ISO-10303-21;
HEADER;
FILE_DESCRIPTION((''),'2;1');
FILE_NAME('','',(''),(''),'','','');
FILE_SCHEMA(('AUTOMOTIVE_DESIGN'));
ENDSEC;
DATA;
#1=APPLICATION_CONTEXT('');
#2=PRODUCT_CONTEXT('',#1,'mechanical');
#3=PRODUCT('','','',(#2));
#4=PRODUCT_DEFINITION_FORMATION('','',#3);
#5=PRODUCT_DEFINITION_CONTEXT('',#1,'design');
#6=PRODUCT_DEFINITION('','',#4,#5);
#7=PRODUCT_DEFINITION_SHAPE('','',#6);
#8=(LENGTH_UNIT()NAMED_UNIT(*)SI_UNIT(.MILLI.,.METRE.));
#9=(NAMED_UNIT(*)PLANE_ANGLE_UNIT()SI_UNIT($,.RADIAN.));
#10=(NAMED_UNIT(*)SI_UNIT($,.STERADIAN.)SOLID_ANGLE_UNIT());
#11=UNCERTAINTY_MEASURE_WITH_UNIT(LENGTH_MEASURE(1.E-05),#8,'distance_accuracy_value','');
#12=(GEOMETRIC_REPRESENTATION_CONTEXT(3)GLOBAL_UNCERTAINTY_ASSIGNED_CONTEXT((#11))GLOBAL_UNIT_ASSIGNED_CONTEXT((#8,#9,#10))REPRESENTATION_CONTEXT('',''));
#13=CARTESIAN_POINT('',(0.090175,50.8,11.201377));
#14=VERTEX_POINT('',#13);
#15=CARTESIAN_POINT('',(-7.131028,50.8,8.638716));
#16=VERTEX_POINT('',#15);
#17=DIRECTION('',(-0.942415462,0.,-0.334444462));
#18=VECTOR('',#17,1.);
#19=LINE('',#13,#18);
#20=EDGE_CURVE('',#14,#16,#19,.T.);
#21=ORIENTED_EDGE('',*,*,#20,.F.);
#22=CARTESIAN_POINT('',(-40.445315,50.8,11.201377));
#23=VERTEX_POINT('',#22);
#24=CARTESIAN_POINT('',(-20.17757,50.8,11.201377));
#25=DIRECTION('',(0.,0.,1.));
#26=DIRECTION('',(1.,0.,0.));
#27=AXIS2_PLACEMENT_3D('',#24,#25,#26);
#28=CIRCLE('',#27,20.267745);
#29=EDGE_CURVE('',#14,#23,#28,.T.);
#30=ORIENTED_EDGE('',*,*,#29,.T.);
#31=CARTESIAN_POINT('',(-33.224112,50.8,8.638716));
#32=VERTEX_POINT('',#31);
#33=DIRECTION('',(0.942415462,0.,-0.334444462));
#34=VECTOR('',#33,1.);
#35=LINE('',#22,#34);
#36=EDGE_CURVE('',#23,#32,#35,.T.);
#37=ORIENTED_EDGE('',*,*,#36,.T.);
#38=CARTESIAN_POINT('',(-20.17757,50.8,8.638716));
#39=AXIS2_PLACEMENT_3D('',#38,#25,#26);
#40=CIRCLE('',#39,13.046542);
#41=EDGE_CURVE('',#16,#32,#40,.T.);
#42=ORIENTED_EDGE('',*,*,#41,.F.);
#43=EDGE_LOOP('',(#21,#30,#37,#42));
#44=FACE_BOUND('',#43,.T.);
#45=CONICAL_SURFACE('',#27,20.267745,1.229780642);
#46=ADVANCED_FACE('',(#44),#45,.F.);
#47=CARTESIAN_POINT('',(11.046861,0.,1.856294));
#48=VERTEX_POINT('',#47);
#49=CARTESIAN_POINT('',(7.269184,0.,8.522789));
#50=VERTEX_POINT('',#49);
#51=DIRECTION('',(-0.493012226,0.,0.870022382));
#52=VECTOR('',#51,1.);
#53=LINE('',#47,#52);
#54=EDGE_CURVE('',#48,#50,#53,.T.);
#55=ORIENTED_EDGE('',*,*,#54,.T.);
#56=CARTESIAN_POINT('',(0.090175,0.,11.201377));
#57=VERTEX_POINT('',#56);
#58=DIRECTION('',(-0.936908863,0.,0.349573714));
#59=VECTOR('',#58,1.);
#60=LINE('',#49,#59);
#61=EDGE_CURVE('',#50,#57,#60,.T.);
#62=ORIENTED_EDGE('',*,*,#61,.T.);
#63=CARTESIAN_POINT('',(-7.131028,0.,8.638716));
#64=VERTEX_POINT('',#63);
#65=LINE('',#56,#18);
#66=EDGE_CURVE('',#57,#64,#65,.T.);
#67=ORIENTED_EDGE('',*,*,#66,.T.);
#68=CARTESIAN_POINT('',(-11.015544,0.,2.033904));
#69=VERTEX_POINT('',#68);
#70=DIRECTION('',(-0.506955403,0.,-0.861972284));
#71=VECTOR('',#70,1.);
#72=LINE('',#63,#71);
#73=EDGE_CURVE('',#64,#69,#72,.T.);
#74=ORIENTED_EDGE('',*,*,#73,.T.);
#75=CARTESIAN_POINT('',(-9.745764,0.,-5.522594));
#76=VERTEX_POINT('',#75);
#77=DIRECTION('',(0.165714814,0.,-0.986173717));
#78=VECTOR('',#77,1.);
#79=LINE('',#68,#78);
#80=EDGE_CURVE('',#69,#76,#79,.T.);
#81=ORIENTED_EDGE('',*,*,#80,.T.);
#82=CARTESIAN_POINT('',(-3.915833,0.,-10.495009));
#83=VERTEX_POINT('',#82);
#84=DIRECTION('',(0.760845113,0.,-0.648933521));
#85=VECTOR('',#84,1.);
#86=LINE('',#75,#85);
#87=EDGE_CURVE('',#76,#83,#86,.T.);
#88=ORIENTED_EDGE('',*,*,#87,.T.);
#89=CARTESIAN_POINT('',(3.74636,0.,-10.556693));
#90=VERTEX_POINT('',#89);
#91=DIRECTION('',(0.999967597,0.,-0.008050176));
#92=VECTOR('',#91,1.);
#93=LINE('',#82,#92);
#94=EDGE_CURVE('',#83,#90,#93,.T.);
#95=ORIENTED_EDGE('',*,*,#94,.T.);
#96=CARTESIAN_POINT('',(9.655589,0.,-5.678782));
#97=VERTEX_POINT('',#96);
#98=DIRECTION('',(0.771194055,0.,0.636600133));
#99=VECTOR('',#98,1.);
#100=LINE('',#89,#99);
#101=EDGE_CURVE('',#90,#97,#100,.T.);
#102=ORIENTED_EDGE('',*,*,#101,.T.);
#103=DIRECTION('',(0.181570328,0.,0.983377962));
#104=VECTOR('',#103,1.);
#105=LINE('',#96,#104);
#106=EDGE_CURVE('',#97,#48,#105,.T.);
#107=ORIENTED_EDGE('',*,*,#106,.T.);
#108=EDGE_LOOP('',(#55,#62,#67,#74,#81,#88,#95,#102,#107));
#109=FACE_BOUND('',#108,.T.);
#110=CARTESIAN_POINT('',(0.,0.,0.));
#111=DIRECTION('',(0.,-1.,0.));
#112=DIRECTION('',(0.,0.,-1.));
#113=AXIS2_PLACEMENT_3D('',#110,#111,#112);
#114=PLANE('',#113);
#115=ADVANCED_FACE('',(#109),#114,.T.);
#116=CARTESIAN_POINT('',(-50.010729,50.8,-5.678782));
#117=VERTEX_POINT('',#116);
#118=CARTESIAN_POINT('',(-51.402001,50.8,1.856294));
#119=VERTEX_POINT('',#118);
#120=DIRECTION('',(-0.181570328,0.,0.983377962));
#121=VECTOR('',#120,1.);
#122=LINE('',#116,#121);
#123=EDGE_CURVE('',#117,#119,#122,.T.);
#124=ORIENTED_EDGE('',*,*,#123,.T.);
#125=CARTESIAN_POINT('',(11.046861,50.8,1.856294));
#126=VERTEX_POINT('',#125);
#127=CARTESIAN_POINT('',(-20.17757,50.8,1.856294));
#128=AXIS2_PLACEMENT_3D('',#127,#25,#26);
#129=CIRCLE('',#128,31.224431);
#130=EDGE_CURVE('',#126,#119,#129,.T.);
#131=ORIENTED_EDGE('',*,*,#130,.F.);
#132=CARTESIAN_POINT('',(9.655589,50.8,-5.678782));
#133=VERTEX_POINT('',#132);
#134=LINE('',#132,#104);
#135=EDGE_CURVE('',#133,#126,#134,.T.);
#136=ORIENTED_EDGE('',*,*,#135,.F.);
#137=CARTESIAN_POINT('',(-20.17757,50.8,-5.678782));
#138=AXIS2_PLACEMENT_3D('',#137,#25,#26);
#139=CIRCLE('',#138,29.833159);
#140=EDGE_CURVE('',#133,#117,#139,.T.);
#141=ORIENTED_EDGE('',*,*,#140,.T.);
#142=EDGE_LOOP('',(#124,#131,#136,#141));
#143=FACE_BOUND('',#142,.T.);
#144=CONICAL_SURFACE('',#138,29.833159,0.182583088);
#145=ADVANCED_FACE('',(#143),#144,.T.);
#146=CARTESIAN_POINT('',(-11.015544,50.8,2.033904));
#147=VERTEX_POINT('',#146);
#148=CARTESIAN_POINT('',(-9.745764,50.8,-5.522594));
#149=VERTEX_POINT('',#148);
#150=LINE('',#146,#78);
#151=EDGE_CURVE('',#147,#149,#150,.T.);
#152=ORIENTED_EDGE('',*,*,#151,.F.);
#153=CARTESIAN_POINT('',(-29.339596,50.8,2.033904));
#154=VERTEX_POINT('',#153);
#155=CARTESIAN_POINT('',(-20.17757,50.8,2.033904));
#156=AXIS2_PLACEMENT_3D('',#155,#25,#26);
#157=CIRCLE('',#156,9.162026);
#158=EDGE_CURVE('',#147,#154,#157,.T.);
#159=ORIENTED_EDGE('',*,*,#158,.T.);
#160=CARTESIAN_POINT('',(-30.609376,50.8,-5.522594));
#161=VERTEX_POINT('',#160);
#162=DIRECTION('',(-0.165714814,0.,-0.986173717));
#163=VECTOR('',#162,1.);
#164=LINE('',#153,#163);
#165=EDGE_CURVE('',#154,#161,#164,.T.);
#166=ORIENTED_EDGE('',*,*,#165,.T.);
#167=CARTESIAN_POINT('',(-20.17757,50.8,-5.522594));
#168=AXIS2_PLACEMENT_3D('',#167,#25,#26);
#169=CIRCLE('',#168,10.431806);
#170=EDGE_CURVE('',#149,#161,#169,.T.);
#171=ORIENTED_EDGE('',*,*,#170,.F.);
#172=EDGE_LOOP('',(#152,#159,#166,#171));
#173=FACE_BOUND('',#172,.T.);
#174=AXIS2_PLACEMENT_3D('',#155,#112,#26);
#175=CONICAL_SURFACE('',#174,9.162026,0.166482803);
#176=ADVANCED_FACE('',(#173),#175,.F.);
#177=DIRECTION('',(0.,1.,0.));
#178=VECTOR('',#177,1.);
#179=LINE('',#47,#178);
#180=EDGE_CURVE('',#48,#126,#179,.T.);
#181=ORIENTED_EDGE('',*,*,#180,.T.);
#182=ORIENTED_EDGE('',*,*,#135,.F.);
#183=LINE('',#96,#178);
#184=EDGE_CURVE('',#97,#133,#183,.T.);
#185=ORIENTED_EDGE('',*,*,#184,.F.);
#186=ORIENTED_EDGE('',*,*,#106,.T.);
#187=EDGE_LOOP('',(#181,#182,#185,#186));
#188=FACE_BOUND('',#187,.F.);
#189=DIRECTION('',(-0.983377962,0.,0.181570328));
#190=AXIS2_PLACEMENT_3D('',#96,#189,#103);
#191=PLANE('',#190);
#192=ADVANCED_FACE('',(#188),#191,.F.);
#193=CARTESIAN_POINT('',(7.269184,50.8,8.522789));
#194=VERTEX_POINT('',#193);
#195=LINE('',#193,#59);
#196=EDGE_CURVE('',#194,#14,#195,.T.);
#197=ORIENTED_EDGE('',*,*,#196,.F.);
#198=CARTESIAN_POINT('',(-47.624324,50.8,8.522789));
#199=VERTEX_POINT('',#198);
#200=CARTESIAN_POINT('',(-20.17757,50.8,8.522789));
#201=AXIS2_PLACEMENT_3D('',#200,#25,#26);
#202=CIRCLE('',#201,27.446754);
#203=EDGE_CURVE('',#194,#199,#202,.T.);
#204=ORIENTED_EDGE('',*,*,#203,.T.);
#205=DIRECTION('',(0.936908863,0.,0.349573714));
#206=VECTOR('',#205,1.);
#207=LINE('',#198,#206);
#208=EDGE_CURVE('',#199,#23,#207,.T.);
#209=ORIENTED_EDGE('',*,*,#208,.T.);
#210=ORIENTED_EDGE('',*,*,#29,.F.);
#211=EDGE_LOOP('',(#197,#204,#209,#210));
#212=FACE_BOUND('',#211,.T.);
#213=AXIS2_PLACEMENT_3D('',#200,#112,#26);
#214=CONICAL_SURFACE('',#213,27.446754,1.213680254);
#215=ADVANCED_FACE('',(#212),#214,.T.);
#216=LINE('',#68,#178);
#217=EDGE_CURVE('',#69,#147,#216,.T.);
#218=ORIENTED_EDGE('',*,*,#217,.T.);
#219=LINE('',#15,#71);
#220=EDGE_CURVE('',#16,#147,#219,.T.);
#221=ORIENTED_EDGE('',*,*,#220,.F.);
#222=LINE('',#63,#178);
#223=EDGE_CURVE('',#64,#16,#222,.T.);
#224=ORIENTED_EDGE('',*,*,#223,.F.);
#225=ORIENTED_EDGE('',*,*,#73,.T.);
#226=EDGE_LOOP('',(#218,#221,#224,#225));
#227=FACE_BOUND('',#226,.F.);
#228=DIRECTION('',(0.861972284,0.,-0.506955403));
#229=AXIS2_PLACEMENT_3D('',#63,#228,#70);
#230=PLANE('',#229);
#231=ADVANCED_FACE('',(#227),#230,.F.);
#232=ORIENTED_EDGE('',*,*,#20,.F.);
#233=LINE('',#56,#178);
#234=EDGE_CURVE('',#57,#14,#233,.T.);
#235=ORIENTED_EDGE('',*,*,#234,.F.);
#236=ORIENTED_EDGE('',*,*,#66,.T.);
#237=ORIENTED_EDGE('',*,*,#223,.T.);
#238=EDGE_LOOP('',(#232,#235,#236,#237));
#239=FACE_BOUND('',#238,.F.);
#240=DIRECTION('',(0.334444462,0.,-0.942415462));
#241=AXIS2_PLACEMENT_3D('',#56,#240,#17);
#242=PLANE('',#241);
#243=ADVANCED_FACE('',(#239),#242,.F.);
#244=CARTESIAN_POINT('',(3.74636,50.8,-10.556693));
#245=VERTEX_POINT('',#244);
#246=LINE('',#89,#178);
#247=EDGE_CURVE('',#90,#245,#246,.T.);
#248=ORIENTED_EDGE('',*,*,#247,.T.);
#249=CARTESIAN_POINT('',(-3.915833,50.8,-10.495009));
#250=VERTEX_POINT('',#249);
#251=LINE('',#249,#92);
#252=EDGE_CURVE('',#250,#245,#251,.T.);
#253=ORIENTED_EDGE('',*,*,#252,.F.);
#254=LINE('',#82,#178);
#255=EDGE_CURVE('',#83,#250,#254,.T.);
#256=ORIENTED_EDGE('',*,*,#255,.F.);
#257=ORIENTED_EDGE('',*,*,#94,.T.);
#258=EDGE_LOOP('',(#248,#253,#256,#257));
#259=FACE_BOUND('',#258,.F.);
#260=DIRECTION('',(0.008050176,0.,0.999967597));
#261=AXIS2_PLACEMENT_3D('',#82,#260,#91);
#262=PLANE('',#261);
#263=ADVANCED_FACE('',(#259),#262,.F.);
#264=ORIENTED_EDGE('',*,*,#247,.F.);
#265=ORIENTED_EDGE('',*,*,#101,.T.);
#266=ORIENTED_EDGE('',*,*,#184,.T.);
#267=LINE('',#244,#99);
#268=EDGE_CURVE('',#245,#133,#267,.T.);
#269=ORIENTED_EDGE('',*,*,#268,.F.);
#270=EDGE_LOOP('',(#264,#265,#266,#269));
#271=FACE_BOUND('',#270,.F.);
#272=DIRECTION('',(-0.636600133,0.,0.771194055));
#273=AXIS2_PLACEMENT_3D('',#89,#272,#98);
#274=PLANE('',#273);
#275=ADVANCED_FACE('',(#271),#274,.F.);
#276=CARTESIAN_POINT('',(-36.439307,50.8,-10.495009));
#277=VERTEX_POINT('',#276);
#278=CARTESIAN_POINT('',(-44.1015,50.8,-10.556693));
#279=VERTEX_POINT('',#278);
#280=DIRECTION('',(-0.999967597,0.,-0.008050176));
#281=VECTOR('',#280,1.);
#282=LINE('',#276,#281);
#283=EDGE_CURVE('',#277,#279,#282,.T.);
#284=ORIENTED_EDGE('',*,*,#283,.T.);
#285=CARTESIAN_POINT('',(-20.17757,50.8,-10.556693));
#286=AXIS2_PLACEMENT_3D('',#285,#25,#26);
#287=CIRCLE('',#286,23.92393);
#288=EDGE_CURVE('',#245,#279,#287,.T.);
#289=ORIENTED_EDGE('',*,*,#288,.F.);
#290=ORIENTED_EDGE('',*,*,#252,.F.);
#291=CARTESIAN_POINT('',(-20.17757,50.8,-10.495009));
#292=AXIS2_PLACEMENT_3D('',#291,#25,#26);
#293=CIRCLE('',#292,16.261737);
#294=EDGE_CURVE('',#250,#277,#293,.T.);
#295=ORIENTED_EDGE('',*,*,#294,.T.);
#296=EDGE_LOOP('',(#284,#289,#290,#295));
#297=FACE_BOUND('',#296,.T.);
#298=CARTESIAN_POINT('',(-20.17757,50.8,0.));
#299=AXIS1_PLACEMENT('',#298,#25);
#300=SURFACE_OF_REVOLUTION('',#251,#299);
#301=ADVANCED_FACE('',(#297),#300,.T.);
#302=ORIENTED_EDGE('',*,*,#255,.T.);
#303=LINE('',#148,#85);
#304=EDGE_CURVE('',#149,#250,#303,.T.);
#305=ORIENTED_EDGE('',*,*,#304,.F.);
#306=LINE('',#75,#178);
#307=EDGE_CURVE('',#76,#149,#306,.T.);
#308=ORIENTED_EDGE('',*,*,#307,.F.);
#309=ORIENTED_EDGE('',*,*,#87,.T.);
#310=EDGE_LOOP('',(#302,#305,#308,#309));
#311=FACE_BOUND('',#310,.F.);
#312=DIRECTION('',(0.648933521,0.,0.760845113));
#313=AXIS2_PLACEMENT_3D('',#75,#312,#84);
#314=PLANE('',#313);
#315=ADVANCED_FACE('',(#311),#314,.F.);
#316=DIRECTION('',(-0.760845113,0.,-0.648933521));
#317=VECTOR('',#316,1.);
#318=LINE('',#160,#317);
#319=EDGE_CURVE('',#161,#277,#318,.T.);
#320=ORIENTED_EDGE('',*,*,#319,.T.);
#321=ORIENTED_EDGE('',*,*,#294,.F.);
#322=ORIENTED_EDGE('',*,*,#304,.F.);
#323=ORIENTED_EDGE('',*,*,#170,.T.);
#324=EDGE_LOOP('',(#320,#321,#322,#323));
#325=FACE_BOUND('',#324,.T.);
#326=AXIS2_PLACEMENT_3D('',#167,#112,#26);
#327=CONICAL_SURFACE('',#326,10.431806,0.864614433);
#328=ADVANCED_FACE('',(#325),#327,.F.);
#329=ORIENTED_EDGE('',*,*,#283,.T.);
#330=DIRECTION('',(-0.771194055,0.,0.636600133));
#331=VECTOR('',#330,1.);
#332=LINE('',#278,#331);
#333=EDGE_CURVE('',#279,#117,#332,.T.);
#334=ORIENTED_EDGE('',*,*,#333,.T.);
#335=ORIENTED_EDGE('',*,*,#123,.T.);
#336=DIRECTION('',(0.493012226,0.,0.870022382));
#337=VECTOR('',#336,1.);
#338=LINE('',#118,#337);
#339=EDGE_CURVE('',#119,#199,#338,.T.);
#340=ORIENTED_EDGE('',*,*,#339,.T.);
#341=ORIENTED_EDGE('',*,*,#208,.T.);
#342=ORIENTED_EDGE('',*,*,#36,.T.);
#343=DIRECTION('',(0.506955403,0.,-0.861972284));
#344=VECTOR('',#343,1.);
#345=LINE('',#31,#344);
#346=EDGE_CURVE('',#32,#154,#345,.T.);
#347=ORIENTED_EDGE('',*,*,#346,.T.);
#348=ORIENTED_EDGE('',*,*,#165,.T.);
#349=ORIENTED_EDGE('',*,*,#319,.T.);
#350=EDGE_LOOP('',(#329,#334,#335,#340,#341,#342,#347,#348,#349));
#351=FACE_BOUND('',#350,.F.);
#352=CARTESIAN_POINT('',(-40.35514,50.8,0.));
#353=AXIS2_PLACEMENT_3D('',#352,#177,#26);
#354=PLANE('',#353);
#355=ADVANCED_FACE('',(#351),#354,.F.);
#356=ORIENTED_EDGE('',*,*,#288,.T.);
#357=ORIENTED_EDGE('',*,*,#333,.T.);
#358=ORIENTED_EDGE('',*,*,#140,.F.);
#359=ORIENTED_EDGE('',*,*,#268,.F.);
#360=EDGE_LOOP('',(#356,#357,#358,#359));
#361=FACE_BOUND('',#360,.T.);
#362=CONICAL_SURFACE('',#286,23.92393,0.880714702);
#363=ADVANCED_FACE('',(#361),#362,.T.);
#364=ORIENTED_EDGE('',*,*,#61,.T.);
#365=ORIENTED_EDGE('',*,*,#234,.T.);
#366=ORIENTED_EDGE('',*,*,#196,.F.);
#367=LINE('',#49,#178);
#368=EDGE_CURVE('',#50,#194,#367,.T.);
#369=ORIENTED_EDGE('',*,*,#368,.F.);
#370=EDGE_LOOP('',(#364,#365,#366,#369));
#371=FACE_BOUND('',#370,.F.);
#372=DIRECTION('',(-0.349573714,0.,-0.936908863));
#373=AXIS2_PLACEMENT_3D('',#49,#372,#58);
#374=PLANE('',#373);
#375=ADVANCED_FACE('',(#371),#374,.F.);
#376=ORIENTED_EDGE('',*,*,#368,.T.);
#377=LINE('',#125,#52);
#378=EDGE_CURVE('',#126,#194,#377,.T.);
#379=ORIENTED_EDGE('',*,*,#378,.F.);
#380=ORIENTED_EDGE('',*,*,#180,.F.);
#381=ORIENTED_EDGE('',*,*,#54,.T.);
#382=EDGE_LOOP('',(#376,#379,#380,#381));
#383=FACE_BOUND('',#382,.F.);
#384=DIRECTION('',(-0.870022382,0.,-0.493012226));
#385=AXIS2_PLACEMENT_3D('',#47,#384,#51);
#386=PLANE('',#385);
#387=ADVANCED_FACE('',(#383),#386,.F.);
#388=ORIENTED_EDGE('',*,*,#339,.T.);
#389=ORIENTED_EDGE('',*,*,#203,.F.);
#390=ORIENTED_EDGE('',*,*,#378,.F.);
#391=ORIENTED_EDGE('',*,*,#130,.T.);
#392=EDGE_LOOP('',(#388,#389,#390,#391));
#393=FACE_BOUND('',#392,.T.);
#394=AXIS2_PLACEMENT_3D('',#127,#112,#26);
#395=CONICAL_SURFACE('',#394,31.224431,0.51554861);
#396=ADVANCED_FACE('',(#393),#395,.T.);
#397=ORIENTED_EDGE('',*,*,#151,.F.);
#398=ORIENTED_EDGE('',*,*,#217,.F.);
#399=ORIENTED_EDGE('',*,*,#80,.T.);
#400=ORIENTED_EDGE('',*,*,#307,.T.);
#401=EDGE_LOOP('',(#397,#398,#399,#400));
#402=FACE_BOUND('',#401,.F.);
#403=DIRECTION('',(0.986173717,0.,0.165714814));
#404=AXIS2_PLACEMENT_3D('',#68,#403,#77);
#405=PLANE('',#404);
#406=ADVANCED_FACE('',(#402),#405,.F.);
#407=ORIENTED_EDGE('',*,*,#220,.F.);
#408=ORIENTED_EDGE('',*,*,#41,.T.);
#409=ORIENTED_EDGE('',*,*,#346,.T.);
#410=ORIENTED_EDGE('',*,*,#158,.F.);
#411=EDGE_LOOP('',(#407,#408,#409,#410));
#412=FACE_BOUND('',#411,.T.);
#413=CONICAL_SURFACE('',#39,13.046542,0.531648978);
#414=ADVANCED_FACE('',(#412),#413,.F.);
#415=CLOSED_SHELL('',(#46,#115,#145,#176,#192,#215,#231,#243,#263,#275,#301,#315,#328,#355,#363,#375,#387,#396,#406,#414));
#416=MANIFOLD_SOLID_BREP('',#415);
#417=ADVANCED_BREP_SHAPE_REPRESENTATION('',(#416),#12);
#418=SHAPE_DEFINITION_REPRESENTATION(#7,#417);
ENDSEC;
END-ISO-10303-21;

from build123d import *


with BuildPart() as f2:
    # F2: sweep along a path in F1
    with BuildLine(Plane.XY) as f2_path:
        Line((0, 0), (0, 50.8))
        ThreePointArc((0, 50.8), (-20.17757, 70.97757), (-40.35514, 50.8))
    # F0 (on Front) → F2 (sweep)
    with BuildSketch(Plane.XZ):
        Polygon((11.046861, 1.856294), (7.269184, 8.522789), (0.090175, 11.201377), (-7.131028, 8.638716), (-11.015544, 2.033904), (-9.745764, -5.522594), (-3.915833, -10.495009), (3.74636, -10.556693), (9.655589, -5.678782), align=None)
    sweep(path=f2_path.line)


solid = f2.part
